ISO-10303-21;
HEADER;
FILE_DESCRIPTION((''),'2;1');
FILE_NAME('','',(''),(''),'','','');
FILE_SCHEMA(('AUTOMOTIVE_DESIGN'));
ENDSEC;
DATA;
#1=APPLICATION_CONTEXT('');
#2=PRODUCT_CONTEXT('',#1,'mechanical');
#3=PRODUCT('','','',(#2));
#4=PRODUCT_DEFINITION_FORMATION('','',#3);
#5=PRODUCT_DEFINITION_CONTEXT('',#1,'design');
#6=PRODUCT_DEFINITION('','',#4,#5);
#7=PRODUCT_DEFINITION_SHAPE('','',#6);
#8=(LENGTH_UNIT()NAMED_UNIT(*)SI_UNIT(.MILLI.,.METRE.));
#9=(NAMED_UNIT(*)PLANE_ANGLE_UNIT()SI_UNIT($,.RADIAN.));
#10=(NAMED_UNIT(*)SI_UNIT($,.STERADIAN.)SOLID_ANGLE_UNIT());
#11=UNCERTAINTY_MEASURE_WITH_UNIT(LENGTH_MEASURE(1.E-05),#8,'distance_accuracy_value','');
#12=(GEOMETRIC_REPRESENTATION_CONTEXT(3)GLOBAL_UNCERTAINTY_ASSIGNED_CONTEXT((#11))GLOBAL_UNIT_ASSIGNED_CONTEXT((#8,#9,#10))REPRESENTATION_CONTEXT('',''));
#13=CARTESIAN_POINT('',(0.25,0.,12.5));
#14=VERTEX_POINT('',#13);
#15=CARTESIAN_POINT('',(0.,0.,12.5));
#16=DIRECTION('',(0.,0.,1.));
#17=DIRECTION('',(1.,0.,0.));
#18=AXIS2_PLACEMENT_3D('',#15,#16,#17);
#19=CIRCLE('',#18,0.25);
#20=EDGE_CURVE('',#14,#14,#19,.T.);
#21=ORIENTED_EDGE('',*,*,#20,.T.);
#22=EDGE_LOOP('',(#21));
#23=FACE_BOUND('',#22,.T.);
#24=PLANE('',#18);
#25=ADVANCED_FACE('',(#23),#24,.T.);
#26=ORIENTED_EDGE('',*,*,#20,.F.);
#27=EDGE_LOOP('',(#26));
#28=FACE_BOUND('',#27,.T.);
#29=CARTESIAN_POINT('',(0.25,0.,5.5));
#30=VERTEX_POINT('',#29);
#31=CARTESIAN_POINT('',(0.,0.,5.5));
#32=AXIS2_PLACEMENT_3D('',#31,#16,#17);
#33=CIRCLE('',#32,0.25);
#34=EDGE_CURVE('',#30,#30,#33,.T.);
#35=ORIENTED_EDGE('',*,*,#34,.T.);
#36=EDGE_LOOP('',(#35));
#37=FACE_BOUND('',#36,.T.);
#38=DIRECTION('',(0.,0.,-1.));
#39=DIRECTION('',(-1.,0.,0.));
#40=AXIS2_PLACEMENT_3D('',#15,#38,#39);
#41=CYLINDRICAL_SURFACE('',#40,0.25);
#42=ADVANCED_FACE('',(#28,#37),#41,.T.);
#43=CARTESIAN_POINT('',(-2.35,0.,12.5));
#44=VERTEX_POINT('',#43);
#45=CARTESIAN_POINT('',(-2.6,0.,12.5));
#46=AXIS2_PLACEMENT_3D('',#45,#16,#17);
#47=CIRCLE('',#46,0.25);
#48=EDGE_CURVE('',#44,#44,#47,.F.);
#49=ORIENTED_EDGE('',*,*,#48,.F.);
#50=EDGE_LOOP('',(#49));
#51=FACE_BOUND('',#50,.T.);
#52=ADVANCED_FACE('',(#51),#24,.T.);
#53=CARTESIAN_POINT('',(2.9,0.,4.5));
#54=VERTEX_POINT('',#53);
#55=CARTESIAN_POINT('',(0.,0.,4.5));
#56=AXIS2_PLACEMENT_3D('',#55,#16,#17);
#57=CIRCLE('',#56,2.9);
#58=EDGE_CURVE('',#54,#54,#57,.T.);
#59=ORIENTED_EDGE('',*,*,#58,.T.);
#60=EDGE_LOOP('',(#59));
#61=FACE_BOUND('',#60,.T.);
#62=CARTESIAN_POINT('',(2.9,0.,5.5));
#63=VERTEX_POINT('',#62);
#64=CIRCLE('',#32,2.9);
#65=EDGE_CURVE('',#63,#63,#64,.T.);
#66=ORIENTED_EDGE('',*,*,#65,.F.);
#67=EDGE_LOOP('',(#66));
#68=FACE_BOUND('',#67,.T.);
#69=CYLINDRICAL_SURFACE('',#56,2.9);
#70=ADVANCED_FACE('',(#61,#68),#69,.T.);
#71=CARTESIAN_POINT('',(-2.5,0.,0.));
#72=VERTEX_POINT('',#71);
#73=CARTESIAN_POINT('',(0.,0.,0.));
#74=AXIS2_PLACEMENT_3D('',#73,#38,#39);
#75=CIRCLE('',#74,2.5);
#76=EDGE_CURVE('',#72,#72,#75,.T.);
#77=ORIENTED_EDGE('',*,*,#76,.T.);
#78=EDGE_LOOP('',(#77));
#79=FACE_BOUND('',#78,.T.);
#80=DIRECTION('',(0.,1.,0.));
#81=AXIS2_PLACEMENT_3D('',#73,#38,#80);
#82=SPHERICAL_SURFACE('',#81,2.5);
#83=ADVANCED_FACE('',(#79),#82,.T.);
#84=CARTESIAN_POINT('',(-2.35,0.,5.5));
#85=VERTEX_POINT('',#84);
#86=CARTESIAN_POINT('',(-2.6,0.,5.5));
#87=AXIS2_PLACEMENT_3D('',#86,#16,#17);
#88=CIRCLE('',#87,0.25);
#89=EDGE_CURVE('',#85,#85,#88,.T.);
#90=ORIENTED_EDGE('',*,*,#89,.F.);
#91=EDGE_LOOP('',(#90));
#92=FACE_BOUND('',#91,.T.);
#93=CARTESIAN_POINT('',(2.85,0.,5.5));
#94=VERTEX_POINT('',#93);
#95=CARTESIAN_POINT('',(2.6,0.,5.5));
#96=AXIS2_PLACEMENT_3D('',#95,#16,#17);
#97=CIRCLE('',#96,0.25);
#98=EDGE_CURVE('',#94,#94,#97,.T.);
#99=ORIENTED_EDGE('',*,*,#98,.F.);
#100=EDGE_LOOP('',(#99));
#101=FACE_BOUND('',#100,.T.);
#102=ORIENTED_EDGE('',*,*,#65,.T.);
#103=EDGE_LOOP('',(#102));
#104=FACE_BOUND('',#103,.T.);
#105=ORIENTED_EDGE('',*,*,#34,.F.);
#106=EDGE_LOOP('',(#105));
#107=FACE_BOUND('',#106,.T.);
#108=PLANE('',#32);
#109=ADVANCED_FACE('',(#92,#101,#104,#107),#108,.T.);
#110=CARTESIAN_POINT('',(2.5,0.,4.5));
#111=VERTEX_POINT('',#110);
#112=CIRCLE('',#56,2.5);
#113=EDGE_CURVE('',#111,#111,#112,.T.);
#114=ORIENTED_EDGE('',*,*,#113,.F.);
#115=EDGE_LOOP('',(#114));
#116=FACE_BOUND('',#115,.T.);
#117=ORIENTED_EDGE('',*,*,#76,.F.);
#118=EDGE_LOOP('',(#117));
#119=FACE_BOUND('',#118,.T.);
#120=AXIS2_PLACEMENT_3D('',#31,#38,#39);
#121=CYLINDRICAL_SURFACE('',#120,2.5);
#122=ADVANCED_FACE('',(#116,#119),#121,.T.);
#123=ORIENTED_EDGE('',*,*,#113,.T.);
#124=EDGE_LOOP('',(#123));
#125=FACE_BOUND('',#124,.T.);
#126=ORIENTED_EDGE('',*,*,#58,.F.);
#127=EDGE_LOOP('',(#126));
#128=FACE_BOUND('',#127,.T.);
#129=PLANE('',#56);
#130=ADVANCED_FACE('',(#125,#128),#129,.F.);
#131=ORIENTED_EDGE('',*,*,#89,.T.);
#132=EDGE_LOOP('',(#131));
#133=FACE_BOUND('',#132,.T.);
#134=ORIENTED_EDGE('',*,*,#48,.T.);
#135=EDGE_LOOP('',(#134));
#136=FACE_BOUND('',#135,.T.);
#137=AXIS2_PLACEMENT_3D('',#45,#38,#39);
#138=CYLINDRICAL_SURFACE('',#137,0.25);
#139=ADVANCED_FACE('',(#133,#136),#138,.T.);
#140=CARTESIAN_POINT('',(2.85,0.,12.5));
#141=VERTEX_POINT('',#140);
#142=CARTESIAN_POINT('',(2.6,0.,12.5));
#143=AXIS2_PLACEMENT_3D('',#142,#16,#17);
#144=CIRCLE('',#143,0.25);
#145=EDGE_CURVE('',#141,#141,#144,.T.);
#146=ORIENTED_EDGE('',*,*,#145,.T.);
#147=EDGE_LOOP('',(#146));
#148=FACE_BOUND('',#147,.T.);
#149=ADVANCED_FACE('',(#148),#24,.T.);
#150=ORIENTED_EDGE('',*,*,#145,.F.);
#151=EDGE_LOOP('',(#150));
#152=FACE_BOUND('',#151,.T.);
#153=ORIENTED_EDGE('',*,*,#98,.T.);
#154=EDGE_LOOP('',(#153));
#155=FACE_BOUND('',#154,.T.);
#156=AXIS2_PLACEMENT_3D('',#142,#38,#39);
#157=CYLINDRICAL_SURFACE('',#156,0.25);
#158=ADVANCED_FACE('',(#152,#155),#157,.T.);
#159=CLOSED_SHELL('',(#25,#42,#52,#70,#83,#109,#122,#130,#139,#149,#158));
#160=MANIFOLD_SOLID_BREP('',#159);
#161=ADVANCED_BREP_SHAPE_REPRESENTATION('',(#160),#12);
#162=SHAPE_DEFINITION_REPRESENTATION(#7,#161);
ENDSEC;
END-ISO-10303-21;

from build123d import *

# Parameters (mm, degrees)
SKETCH_1_R        = 2.5
EXTRUDE_1_DEPTH   = 5.5
SKETCH_2_R        = 2.9
EXTRUDE_2_DEPTH   = 1
EXTRUDE_1_2_DEPTH = 7


with BuildPart() as part:
    # 草图1 → Extrude 1 (new body)
    with BuildSketch(Plane.XY):
        Circle(SKETCH_1_R)
    extrude(amount=EXTRUDE_1_DEPTH)

    # 草图2 → 拉伸2 (add)
    with BuildSketch(Plane.XY.offset(5.5)):
        Circle(SKETCH_2_R)
    extrude(amount=-EXTRUDE_2_DEPTH)

    # 草图5 → 旋转2 (revolve)
    with BuildSketch(Plane(origin=(0, 0, 0), x_dir=(0, 0, -1), z_dir=(1, 0, 0)), mode=Mode.PRIVATE) as revolve_2_sk:
        with BuildLine():
            Line((0, 2.5), (0, 0))
            Line((0, 0), (2.5, 0))
            ThreePointArc((2.5, 0), (1.767766953, 1.767766953), (0, 2.5))
        make_face()
    revolve(revolve_2_sk.sketch.rotate(Axis((0, 0, -2.5), (0, 0, 1)), 90), axis=Axis((0, 0, -2.5), (0, 0, 1)))

    # 草图6 → Extrude 1 2 (add)
    with BuildSketch(Plane.XY.offset(5.5)):
        with BuildLine():
            ThreePointArc((2.35, 0), (2.6, -0.25), (2.85, 0))
            Line((2.85, 0), (2.35, 0))
        make_face()
        with BuildLine():
            Line((2.35, 0), (2.85, 0))
            ThreePointArc((2.85, 0), (2.6, 0.25), (2.35, 0))
        make_face()
        with BuildLine():
            ThreePointArc((0, -0.25), (0.176776695, -0.176776695), (0.25, 0))
            Line((0.25, 0), (0, 0))
            Line((0, 0), (0, -0.25))
        make_face()
        with BuildLine():
            Line((0, 0), (0.25, 0))
            ThreePointArc((0.25, 0), (0.176776695, 0.176776695), (0, 0.25))
            Line((0, 0.25), (0, 0))
        make_face()
        with BuildLine():
            Line((0, -0.25), (0, 0))
            Line((0, 0), (-0.25, 0))
            ThreePointArc((-0.25, 0), (-0.176776695, -0.176776695), (0, -0.25))
        make_face()
        with BuildLine():
            Line((-0.25, 0), (0, 0))
            Line((0, 0), (0, 0.25))
            ThreePointArc((0, 0.25), (-0.176776695, 0.176776695), (-0.25, 0))
        make_face()
        with BuildLine():
            ThreePointArc((-2.85, 0), (-2.6, -0.25), (-2.35, 0))
            Line((-2.35, 0), (-2.85, 0))
        make_face()
        with BuildLine():
            Line((-2.85, 0), (-2.35, 0))
            ThreePointArc((-2.35, 0), (-2.6, 0.25), (-2.85, 0))
        make_face()
    extrude(amount=EXTRUDE_1_2_DEPTH)


solid = part.part
